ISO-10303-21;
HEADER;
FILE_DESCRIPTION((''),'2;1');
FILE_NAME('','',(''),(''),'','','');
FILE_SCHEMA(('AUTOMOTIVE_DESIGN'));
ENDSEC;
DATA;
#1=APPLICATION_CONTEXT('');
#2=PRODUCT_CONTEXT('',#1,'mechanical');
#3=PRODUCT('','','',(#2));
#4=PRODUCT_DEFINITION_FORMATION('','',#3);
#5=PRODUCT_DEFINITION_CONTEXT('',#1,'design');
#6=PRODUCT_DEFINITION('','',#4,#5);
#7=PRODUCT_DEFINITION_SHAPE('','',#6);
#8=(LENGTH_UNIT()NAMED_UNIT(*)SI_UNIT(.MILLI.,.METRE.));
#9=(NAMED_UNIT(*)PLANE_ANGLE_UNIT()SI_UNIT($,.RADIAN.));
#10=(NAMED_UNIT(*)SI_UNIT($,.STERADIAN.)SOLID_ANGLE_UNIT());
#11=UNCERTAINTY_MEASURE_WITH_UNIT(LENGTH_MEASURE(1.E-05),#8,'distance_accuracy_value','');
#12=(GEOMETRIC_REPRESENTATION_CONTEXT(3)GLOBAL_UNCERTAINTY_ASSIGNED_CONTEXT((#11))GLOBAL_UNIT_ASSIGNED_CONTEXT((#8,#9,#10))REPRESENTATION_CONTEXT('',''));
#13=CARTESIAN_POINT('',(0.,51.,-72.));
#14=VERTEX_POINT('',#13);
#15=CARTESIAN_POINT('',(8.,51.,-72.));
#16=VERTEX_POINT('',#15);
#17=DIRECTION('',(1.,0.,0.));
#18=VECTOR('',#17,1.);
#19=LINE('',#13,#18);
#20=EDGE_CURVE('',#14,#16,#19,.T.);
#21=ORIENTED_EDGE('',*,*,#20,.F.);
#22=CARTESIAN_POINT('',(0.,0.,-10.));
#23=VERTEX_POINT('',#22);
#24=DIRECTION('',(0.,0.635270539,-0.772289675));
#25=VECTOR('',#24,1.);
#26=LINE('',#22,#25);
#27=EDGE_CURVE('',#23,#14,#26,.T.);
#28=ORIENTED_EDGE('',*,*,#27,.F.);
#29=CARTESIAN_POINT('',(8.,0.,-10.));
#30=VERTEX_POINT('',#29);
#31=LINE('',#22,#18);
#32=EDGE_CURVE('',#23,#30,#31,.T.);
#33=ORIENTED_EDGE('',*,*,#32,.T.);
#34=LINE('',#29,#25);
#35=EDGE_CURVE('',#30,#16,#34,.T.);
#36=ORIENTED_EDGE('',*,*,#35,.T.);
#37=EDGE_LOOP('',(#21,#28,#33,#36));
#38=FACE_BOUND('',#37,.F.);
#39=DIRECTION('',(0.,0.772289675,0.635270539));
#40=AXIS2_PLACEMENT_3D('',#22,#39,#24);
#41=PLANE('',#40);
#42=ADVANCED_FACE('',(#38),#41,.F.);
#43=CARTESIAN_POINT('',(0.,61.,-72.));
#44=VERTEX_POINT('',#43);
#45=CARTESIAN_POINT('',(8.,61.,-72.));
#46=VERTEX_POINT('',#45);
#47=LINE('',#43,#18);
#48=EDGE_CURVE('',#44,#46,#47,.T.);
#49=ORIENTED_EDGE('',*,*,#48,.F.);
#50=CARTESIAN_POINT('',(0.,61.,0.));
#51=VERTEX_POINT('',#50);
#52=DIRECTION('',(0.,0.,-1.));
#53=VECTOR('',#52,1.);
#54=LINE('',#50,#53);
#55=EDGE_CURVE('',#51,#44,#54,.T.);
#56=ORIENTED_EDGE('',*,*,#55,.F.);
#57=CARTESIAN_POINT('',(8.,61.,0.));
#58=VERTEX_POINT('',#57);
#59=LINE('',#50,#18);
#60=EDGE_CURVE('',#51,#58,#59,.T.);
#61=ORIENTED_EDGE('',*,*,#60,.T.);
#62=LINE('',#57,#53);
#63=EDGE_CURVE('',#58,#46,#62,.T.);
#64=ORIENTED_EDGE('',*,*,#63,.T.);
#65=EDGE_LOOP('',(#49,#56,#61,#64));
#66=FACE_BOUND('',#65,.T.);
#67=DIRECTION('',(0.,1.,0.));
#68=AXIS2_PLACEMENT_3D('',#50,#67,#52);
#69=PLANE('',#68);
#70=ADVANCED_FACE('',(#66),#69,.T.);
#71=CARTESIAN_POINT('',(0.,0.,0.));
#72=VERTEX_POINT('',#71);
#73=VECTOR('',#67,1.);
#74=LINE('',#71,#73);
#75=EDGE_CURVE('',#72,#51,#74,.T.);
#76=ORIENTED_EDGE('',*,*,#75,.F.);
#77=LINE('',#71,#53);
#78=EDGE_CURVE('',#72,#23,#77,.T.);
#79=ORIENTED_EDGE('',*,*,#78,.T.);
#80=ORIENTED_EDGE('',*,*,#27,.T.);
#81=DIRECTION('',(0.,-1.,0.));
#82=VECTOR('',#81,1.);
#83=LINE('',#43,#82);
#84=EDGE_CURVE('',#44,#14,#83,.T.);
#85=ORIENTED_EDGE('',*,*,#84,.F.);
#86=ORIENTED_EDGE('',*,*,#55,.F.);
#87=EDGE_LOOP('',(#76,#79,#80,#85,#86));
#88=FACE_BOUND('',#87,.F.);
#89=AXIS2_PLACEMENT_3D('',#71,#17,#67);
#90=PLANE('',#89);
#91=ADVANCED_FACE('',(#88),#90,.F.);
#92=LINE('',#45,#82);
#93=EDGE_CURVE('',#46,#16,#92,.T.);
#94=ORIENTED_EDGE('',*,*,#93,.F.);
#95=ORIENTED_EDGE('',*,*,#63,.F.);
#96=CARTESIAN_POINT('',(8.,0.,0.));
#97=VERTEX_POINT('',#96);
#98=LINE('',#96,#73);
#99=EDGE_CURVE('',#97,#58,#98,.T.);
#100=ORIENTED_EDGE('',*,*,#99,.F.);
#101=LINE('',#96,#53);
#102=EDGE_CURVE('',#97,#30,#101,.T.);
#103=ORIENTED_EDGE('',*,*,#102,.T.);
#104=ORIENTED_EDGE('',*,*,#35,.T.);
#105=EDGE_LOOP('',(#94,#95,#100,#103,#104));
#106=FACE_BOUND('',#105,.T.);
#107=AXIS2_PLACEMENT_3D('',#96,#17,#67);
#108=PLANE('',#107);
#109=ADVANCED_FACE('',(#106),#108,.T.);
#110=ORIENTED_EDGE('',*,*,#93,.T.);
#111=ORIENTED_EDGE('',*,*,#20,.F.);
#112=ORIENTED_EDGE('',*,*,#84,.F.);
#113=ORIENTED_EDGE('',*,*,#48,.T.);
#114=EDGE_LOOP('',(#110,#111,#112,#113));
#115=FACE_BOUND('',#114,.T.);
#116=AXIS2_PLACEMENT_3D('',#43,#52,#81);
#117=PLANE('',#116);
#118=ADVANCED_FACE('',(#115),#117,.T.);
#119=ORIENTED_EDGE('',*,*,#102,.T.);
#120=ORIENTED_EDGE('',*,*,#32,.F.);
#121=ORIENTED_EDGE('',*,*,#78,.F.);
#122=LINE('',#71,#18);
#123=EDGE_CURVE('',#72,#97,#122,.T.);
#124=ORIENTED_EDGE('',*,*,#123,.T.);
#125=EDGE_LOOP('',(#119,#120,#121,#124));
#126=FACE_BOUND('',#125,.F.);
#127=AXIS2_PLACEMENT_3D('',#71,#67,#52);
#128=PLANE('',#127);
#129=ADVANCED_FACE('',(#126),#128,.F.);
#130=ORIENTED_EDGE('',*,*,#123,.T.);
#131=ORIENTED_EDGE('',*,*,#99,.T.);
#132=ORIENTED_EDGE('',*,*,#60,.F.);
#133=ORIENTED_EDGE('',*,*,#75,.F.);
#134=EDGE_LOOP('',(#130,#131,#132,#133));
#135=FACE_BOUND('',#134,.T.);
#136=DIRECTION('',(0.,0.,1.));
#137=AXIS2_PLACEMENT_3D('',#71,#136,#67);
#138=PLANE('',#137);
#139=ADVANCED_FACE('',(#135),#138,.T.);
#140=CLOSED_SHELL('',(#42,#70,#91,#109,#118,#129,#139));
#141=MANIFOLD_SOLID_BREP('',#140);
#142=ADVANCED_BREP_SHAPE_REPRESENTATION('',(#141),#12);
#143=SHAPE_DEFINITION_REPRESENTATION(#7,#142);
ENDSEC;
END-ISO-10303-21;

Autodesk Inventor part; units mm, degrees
ref_plane "YZ Plane" through (0, 0, 0) normal (1, 0, 0) x (0, 1, 0)
ref_plane "XZ Plane" through (0, 0, 0) normal (0, 1, 0) x (-1, 0, 0)
ref_plane "XY Plane" through (0, 0, 0) normal (0, 0, 1) x (1, 0, 0)
sketch "Schizzo1" plane through (0, 0, 0) normal (1, 0, 0) x (0, 1, 0)
  line L0 (0, 0) -> (61, 0)
  line L1 (61, 0) -> (61, -72)
  line L2 (61, -72) -> (51, -72)
  line L3 (0, 0) -> (0, -10)
  line L4 (0, -10) -> (51, -72)
  dimension "d0" = 61
  dimension "d1" = 72
  dimension "d2" = 10
  dimension "d3" = 10
extrude "Estrusione1" add sketch "Schizzo1" along normal blind 8
properties part number "Fianchi supp.saldato"
